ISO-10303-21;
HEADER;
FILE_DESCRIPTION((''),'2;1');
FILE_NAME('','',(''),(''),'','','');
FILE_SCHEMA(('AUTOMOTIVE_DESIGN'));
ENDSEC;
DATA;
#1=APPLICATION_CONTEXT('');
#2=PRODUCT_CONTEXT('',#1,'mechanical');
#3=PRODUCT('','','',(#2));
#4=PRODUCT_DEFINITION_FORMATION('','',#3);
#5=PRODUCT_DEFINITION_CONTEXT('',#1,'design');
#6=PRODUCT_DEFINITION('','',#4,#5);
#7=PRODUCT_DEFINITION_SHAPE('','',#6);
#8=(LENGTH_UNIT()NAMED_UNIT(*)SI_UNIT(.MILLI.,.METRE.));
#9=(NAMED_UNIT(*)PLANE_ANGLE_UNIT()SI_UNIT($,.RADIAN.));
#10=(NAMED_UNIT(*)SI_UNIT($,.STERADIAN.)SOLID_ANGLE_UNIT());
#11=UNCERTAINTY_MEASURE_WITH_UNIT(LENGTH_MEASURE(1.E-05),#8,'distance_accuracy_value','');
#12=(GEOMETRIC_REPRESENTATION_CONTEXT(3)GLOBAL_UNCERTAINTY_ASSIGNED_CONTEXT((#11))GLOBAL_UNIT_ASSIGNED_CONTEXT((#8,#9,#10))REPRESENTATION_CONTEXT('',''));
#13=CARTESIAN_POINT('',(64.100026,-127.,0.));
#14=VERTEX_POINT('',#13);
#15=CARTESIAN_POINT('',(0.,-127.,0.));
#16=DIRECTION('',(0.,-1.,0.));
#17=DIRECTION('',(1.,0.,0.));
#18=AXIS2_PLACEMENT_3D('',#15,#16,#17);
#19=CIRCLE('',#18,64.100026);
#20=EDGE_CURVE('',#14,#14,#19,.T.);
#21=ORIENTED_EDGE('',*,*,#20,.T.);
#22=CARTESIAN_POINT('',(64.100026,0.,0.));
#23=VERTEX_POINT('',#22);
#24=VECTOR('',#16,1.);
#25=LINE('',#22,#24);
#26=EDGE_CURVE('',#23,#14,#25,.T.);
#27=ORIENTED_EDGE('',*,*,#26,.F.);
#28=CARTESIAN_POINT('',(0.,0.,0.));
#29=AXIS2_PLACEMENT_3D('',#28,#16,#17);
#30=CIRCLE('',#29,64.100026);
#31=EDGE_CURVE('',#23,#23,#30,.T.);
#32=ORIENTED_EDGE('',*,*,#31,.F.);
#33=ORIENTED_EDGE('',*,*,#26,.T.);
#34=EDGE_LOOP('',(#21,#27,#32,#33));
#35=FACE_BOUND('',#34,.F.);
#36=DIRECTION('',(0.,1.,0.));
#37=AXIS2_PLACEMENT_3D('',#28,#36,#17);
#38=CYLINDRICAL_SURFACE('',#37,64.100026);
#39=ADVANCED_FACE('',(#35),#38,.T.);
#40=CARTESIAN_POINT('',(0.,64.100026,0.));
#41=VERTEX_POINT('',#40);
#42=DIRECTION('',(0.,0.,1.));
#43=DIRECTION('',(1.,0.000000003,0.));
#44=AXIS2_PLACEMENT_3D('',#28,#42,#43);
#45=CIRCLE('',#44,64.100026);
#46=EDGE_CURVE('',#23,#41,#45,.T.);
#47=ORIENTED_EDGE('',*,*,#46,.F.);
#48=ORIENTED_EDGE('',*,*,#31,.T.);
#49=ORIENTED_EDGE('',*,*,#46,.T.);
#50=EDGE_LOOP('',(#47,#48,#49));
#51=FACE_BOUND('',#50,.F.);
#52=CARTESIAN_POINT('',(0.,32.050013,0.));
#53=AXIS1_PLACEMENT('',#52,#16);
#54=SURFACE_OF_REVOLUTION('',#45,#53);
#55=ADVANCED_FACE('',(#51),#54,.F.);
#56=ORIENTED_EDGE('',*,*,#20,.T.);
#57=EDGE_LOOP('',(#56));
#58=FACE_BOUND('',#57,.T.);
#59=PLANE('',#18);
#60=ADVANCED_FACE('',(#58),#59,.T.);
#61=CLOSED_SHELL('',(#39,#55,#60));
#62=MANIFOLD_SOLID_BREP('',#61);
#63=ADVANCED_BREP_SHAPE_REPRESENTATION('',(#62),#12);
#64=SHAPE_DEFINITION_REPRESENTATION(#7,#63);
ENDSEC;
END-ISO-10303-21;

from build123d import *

# Parameters (mm, degrees)
F1_FACE_R = 64.100026
F2_DEPTH  = 127


with BuildPart() as f1:
    # F0 (on Top) → F1 (revolve)
    with BuildSketch(Plane.XY):
        with BuildLine():
            ThreePointArc((64.100026, 0), (45.325563, 45.325563), (0, 64.100026))
            Line((0, 64.100026), (0, 0))
            Line((0, 0), (64.100026, 0))
        make_face()
    revolve(axis=Axis((0, 32.050013, 0), (0, -1, 0)))

    # F1_face (on face) → F2 (join)
    with BuildSketch(Plane.XZ):
        Circle(F1_FACE_R)
    extrude(amount=F2_DEPTH)


solid = f1.part
